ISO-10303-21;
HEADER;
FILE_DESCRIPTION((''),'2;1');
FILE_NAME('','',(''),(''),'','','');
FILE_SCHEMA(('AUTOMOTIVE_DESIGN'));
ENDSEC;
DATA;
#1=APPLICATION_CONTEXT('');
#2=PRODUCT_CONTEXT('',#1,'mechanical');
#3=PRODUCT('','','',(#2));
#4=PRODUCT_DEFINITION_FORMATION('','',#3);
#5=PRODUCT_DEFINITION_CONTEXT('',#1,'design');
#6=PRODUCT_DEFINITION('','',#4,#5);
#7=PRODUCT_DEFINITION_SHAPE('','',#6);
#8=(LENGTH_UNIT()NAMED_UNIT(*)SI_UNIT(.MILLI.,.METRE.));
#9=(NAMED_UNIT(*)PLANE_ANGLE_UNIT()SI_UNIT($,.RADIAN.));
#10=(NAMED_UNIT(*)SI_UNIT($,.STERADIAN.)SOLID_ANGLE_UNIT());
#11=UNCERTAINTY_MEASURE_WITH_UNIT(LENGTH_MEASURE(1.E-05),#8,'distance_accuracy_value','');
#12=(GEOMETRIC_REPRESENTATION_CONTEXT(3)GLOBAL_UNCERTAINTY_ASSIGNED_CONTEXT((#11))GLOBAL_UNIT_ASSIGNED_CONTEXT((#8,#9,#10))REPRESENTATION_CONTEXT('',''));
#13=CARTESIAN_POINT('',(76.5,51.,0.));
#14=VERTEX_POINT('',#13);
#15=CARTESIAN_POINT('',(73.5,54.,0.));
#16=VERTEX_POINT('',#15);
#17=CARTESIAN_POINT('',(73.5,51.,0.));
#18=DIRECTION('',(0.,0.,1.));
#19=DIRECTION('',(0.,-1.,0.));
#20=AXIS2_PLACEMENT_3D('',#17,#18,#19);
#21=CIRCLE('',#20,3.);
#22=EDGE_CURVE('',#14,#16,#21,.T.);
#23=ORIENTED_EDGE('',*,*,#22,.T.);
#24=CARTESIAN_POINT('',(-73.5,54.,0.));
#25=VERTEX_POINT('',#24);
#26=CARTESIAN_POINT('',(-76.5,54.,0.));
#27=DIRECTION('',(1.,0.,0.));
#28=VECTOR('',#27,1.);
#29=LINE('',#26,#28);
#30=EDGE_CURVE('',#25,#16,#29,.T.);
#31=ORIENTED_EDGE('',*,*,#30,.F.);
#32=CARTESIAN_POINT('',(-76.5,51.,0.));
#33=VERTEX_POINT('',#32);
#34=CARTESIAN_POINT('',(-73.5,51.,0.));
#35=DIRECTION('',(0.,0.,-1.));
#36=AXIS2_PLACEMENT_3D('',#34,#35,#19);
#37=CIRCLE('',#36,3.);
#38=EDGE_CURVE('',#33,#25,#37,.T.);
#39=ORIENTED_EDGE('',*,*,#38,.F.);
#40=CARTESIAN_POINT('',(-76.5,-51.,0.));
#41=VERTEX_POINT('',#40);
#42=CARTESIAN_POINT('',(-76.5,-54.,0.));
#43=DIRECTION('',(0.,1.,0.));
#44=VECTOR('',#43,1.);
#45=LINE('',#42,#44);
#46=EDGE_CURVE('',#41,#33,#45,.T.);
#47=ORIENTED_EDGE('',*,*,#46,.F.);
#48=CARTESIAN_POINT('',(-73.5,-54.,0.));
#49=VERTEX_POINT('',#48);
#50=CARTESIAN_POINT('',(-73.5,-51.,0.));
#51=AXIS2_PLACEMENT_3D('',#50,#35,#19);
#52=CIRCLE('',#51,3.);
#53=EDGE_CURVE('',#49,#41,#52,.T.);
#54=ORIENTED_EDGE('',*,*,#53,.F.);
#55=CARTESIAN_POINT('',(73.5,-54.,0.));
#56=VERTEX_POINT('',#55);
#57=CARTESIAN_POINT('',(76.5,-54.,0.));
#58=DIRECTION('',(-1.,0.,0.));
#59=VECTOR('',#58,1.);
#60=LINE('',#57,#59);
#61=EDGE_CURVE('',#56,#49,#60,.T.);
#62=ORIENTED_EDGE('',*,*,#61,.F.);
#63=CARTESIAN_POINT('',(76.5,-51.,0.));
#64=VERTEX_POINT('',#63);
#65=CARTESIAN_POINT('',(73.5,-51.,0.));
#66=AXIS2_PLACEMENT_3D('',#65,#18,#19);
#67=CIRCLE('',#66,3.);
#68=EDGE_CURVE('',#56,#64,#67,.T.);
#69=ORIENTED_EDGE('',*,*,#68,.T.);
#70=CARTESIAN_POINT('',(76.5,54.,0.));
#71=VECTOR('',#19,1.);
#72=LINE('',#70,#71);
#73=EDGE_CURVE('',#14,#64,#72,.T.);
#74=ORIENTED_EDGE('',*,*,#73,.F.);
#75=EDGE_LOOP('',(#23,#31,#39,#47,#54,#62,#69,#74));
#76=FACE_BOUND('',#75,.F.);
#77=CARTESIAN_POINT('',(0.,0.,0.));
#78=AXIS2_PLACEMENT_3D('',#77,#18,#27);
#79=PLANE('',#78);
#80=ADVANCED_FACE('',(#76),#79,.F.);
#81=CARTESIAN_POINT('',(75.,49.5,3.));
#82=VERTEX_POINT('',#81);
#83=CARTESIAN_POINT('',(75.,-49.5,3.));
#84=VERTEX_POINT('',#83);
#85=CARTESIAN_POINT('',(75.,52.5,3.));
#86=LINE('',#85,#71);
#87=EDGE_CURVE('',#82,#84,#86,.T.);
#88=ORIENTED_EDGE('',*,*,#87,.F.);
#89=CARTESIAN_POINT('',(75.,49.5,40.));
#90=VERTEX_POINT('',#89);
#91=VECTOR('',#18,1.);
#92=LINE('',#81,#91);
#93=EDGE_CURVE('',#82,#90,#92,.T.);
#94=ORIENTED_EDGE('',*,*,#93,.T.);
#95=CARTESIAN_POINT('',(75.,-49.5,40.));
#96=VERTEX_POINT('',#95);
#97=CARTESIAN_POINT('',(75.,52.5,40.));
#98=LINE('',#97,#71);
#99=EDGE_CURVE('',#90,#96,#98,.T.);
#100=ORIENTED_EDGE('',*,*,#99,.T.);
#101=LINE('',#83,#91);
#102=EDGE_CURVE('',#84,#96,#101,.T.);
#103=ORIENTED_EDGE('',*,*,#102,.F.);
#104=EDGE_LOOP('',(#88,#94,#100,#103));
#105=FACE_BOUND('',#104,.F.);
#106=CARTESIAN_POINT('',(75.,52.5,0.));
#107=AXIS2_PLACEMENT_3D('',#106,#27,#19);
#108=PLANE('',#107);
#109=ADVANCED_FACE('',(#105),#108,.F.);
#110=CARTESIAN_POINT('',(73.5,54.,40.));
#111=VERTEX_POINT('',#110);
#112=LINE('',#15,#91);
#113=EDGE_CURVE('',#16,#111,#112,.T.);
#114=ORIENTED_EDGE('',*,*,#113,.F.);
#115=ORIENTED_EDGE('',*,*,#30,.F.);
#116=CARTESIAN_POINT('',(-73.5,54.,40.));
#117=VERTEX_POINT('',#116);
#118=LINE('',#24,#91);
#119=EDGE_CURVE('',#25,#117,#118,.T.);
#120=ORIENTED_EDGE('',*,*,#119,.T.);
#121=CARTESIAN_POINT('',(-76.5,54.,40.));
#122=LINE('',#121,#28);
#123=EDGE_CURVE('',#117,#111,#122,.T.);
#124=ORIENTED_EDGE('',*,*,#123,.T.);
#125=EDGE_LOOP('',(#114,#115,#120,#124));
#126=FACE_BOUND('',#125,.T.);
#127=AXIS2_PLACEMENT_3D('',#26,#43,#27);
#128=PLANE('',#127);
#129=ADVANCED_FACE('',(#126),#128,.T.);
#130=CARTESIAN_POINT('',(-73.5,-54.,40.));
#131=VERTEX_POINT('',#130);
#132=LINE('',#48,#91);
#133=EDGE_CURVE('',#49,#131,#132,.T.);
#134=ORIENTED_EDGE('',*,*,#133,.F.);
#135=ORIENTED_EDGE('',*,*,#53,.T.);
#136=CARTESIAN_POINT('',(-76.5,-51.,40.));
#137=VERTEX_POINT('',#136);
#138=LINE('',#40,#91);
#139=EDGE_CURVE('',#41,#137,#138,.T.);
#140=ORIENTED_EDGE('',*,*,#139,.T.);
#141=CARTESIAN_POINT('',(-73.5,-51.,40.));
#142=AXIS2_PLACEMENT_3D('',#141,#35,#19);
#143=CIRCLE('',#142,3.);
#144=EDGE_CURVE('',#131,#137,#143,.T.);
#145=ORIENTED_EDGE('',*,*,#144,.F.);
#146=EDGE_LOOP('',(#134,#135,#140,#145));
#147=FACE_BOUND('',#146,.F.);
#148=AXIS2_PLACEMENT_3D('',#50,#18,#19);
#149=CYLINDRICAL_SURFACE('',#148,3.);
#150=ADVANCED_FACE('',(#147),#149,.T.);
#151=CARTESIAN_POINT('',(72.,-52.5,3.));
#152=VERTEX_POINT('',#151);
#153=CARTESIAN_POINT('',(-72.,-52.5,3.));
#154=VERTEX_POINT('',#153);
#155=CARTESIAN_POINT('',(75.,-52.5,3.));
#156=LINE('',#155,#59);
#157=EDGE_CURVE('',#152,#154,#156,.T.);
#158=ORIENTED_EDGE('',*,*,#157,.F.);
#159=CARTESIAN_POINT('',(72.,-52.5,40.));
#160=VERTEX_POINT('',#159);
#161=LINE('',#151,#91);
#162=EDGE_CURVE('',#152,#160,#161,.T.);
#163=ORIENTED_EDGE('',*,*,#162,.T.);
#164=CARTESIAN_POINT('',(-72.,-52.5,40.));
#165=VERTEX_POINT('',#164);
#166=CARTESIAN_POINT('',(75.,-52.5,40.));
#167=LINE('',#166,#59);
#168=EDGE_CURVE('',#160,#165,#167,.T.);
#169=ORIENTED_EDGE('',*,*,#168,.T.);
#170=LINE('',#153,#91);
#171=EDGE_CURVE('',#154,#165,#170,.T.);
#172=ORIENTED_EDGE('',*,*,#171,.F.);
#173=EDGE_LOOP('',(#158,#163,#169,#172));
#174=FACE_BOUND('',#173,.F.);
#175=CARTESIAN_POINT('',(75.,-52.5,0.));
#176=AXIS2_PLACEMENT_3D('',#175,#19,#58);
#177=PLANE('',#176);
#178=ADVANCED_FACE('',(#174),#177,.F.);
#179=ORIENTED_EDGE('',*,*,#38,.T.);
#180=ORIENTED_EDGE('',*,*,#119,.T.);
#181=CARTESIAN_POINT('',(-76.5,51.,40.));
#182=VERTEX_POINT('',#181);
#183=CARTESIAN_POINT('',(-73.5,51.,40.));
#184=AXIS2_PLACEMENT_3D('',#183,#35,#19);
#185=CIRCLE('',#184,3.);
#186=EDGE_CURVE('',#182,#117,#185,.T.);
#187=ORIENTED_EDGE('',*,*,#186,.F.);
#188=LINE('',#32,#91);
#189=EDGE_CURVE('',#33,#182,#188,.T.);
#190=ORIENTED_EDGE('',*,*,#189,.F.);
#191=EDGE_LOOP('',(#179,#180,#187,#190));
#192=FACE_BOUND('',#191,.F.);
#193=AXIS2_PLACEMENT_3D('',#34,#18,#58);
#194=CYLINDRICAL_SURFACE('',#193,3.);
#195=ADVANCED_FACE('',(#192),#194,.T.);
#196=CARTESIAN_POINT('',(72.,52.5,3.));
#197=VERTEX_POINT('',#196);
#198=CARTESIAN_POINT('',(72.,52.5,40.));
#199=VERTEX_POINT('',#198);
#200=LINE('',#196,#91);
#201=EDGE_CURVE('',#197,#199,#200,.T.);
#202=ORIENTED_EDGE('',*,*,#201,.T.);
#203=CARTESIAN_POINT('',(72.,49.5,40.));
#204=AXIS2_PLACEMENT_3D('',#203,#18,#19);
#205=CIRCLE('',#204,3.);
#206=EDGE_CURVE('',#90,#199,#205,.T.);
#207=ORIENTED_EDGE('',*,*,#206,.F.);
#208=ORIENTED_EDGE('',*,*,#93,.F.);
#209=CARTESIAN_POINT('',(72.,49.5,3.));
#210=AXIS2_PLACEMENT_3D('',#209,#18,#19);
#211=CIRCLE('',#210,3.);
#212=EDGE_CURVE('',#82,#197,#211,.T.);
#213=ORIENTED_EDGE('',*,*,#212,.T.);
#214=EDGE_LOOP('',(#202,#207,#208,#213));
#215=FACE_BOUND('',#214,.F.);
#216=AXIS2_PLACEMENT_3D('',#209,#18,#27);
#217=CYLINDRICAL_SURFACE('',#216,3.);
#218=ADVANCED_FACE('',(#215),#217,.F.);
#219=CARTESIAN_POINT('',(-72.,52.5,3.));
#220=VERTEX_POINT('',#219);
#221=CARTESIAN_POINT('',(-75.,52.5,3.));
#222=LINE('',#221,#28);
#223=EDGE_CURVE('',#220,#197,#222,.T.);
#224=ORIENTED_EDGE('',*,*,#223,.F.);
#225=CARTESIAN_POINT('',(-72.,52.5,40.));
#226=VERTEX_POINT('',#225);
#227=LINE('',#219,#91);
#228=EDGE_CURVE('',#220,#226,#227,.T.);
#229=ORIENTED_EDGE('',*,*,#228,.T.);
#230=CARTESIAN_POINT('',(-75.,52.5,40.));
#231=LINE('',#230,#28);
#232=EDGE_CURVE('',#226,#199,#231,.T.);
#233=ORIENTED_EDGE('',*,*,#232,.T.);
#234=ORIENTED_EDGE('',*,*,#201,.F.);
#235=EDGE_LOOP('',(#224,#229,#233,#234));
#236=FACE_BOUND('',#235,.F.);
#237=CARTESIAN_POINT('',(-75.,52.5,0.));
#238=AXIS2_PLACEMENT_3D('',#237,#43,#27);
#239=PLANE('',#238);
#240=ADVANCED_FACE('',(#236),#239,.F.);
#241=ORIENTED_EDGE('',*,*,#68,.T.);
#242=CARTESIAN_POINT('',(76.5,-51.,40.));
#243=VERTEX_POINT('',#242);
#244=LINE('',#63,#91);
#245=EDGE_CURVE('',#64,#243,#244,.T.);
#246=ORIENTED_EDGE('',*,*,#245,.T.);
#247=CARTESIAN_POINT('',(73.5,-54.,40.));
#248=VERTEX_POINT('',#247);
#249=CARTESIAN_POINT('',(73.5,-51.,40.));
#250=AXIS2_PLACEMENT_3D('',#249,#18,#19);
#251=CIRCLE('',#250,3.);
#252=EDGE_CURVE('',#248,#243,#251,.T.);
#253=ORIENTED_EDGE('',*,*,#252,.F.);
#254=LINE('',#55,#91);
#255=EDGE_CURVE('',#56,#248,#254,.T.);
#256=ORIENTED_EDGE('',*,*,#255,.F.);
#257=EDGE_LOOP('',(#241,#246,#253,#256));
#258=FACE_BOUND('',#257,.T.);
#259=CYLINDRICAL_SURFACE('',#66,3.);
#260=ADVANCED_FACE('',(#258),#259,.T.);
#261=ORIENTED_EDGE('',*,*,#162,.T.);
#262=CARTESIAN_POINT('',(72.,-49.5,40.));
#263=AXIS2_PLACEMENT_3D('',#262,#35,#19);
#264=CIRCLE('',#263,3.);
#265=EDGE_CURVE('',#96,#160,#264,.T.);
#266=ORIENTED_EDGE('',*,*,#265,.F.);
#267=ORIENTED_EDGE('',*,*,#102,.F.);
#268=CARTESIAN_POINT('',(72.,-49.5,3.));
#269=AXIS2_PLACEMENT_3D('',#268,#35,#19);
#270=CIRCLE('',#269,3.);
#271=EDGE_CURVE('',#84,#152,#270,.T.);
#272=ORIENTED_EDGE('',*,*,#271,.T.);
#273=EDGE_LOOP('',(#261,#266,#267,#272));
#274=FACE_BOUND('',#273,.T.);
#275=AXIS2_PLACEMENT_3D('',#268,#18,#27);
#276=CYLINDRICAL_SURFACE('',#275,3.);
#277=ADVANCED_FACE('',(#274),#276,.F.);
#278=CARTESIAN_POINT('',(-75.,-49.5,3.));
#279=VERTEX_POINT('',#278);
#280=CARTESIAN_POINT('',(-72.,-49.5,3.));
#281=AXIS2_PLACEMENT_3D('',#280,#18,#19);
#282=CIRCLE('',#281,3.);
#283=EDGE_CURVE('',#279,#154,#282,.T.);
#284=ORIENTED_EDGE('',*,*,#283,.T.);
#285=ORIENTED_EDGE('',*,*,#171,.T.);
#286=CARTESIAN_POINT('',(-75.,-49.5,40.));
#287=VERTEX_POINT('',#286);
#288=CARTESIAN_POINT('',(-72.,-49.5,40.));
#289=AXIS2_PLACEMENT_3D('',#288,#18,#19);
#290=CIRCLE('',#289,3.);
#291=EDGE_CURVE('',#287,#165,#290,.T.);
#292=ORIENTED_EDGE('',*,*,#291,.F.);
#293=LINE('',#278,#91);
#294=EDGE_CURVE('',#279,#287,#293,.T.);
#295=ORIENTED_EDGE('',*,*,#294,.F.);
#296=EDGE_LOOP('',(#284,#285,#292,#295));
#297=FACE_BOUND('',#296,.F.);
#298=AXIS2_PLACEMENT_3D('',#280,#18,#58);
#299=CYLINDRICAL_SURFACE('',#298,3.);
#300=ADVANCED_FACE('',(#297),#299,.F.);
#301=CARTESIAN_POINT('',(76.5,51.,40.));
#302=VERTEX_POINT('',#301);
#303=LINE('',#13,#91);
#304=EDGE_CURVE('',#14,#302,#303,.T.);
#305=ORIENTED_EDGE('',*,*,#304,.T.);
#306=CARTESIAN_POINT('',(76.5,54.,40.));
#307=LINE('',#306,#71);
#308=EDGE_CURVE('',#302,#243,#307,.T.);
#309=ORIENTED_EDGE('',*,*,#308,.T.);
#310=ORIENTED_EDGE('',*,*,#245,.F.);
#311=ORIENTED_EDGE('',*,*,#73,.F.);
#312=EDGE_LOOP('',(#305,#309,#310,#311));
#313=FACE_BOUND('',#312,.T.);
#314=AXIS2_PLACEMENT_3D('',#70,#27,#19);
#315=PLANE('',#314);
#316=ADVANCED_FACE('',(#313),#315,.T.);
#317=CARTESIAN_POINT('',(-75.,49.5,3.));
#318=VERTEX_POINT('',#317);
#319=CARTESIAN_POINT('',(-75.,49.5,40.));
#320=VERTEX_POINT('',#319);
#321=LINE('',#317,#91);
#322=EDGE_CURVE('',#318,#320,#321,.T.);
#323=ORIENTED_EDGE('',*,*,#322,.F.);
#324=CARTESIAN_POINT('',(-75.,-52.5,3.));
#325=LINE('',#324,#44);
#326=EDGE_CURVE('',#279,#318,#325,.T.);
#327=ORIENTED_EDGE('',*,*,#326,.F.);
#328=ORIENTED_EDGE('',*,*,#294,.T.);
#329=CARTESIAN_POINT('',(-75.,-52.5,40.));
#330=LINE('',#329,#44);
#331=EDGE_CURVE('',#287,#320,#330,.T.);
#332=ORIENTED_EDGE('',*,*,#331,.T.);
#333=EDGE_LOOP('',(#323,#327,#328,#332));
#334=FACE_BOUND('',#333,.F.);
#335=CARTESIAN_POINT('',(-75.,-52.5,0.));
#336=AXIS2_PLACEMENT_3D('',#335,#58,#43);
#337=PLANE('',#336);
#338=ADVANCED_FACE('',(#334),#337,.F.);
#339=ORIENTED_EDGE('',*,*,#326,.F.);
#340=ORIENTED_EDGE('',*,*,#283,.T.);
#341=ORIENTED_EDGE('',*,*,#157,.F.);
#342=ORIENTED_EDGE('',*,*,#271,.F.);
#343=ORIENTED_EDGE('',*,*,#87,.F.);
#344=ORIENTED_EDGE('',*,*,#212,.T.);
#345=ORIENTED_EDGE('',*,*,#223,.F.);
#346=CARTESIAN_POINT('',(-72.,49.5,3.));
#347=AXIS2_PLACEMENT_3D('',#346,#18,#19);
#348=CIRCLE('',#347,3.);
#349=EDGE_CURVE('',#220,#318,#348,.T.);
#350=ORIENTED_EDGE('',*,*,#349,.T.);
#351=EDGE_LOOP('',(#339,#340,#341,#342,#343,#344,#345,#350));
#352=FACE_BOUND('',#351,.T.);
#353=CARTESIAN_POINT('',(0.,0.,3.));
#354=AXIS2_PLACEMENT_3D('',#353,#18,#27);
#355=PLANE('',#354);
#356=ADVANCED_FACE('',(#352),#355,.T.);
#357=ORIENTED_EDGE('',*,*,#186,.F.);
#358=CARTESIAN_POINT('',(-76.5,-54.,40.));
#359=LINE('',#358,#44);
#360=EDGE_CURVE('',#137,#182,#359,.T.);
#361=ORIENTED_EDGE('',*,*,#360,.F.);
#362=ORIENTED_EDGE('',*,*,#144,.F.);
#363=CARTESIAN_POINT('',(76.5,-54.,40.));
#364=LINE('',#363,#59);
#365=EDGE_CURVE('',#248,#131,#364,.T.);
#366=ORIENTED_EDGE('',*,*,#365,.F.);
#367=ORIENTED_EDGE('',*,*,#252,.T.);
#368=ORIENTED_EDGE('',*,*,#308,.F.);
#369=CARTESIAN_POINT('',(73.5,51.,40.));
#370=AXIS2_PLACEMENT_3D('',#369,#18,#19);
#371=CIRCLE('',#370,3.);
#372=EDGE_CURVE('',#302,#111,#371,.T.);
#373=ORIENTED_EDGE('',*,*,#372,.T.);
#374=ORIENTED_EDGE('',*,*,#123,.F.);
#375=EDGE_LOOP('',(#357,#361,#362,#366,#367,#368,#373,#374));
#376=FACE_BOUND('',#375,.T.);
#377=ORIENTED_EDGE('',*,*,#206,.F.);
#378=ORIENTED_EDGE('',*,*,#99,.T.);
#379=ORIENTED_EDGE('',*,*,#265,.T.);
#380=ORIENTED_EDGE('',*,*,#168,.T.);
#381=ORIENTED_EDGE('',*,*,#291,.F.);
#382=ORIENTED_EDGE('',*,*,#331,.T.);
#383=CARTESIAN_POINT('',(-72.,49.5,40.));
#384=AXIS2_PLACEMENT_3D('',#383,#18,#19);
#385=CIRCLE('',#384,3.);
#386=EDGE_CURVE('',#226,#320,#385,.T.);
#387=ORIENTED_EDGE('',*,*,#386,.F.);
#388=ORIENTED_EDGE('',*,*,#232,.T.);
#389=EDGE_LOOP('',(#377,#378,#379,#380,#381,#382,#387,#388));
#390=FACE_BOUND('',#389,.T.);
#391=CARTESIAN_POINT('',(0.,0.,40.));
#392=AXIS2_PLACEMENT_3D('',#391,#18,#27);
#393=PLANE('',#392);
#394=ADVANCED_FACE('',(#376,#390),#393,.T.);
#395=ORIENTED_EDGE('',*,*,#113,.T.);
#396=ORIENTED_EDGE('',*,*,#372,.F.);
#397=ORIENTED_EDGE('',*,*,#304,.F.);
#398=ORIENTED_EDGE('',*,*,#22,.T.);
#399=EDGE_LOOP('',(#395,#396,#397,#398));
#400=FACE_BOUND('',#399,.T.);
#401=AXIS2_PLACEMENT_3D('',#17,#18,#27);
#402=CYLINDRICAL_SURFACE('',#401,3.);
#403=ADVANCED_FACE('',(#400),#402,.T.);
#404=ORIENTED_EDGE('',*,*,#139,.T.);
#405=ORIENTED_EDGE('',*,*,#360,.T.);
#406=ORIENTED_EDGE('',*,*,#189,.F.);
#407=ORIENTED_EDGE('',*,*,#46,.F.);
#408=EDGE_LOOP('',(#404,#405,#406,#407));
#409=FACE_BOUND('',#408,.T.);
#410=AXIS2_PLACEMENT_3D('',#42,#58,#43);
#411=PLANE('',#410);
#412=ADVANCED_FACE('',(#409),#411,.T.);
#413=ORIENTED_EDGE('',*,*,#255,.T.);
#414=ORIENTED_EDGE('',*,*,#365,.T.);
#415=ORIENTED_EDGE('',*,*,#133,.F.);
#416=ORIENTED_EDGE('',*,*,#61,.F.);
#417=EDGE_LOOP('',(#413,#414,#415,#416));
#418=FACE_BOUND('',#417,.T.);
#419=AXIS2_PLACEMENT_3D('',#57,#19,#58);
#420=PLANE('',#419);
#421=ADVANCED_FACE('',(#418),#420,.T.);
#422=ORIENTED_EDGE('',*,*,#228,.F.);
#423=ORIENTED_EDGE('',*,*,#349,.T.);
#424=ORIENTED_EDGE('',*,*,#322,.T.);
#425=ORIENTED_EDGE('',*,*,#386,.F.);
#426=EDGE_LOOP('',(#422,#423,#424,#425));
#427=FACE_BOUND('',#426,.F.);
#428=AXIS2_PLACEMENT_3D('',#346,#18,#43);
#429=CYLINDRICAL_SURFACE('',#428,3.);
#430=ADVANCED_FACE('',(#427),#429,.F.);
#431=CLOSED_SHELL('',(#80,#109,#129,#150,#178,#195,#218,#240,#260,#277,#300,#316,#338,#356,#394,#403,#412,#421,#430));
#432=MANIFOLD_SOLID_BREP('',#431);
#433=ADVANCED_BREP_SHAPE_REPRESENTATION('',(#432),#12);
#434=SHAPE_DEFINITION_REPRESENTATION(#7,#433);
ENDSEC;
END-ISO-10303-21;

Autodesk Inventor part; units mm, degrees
ref_plane "YZ Plane" through (0, 0, 0) normal (1, 0, 0) x (0, 1, 0)
ref_plane "XZ Plane" through (0, 0, 0) normal (0, 1, 0) x (-1, 0, 0)
ref_plane "XY Plane" through (0, 0, 0) normal (0, 0, 1) x (1, 0, 0)
sketch "スケッチ1" plane through (0, 0, 0) normal (0, 0, 1) x (1, 0, 0)
  line L0 (75, -52.5) -> (-75, -52.5)
  line L1 (-75, -52.5) -> (-75, 52.5)
  line L2 (-75, 52.5) -> (75, 52.5)
  line L3 (75, 52.5) -> (75, -52.5)
  line L4 (75, -52.5) -> (-75, 52.5) construction
  line L5 (-75, -52.5) -> (75, 52.5) construction
  line L6 (76.5, -54) -> (-76.5, -54)
  line L7 (-76.5, -54) -> (-76.5, 54)
  line L8 (-76.5, 54) -> (76.5, 54)
  line L9 (76.5, 54) -> (76.5, -54)
  line L10 (76.5, -54) -> (-76.5, 54) construction
  line L11 (-76.5, -54) -> (76.5, 54) construction
  point P0 (0, 0)
  dimension "d0" = 150
  dimension "d1" = 105
  dimension "d4" = 153
  dimension "d5" = 108
extrude "押し出し1" add sketch "スケッチ1" along normal blind 40
extrude "押し出し2" add sketch "スケッチ1" along normal blind 3 contours L0 L1 L2 L3
fillet "フィレット3" radius 3 4 edges at (-76.5, 54, 20) (-76.5, -54, 20) (76.5, -54, 20) (76.5, 54, 20)
fillet "フィレット3" radius 3 4 edges at (-75, 52.5, 21.5) (75, 52.5, 21.5) (-75, -52.5, 21.5) (75, -52.5, 21.5)
properties part number "water_bowl"
